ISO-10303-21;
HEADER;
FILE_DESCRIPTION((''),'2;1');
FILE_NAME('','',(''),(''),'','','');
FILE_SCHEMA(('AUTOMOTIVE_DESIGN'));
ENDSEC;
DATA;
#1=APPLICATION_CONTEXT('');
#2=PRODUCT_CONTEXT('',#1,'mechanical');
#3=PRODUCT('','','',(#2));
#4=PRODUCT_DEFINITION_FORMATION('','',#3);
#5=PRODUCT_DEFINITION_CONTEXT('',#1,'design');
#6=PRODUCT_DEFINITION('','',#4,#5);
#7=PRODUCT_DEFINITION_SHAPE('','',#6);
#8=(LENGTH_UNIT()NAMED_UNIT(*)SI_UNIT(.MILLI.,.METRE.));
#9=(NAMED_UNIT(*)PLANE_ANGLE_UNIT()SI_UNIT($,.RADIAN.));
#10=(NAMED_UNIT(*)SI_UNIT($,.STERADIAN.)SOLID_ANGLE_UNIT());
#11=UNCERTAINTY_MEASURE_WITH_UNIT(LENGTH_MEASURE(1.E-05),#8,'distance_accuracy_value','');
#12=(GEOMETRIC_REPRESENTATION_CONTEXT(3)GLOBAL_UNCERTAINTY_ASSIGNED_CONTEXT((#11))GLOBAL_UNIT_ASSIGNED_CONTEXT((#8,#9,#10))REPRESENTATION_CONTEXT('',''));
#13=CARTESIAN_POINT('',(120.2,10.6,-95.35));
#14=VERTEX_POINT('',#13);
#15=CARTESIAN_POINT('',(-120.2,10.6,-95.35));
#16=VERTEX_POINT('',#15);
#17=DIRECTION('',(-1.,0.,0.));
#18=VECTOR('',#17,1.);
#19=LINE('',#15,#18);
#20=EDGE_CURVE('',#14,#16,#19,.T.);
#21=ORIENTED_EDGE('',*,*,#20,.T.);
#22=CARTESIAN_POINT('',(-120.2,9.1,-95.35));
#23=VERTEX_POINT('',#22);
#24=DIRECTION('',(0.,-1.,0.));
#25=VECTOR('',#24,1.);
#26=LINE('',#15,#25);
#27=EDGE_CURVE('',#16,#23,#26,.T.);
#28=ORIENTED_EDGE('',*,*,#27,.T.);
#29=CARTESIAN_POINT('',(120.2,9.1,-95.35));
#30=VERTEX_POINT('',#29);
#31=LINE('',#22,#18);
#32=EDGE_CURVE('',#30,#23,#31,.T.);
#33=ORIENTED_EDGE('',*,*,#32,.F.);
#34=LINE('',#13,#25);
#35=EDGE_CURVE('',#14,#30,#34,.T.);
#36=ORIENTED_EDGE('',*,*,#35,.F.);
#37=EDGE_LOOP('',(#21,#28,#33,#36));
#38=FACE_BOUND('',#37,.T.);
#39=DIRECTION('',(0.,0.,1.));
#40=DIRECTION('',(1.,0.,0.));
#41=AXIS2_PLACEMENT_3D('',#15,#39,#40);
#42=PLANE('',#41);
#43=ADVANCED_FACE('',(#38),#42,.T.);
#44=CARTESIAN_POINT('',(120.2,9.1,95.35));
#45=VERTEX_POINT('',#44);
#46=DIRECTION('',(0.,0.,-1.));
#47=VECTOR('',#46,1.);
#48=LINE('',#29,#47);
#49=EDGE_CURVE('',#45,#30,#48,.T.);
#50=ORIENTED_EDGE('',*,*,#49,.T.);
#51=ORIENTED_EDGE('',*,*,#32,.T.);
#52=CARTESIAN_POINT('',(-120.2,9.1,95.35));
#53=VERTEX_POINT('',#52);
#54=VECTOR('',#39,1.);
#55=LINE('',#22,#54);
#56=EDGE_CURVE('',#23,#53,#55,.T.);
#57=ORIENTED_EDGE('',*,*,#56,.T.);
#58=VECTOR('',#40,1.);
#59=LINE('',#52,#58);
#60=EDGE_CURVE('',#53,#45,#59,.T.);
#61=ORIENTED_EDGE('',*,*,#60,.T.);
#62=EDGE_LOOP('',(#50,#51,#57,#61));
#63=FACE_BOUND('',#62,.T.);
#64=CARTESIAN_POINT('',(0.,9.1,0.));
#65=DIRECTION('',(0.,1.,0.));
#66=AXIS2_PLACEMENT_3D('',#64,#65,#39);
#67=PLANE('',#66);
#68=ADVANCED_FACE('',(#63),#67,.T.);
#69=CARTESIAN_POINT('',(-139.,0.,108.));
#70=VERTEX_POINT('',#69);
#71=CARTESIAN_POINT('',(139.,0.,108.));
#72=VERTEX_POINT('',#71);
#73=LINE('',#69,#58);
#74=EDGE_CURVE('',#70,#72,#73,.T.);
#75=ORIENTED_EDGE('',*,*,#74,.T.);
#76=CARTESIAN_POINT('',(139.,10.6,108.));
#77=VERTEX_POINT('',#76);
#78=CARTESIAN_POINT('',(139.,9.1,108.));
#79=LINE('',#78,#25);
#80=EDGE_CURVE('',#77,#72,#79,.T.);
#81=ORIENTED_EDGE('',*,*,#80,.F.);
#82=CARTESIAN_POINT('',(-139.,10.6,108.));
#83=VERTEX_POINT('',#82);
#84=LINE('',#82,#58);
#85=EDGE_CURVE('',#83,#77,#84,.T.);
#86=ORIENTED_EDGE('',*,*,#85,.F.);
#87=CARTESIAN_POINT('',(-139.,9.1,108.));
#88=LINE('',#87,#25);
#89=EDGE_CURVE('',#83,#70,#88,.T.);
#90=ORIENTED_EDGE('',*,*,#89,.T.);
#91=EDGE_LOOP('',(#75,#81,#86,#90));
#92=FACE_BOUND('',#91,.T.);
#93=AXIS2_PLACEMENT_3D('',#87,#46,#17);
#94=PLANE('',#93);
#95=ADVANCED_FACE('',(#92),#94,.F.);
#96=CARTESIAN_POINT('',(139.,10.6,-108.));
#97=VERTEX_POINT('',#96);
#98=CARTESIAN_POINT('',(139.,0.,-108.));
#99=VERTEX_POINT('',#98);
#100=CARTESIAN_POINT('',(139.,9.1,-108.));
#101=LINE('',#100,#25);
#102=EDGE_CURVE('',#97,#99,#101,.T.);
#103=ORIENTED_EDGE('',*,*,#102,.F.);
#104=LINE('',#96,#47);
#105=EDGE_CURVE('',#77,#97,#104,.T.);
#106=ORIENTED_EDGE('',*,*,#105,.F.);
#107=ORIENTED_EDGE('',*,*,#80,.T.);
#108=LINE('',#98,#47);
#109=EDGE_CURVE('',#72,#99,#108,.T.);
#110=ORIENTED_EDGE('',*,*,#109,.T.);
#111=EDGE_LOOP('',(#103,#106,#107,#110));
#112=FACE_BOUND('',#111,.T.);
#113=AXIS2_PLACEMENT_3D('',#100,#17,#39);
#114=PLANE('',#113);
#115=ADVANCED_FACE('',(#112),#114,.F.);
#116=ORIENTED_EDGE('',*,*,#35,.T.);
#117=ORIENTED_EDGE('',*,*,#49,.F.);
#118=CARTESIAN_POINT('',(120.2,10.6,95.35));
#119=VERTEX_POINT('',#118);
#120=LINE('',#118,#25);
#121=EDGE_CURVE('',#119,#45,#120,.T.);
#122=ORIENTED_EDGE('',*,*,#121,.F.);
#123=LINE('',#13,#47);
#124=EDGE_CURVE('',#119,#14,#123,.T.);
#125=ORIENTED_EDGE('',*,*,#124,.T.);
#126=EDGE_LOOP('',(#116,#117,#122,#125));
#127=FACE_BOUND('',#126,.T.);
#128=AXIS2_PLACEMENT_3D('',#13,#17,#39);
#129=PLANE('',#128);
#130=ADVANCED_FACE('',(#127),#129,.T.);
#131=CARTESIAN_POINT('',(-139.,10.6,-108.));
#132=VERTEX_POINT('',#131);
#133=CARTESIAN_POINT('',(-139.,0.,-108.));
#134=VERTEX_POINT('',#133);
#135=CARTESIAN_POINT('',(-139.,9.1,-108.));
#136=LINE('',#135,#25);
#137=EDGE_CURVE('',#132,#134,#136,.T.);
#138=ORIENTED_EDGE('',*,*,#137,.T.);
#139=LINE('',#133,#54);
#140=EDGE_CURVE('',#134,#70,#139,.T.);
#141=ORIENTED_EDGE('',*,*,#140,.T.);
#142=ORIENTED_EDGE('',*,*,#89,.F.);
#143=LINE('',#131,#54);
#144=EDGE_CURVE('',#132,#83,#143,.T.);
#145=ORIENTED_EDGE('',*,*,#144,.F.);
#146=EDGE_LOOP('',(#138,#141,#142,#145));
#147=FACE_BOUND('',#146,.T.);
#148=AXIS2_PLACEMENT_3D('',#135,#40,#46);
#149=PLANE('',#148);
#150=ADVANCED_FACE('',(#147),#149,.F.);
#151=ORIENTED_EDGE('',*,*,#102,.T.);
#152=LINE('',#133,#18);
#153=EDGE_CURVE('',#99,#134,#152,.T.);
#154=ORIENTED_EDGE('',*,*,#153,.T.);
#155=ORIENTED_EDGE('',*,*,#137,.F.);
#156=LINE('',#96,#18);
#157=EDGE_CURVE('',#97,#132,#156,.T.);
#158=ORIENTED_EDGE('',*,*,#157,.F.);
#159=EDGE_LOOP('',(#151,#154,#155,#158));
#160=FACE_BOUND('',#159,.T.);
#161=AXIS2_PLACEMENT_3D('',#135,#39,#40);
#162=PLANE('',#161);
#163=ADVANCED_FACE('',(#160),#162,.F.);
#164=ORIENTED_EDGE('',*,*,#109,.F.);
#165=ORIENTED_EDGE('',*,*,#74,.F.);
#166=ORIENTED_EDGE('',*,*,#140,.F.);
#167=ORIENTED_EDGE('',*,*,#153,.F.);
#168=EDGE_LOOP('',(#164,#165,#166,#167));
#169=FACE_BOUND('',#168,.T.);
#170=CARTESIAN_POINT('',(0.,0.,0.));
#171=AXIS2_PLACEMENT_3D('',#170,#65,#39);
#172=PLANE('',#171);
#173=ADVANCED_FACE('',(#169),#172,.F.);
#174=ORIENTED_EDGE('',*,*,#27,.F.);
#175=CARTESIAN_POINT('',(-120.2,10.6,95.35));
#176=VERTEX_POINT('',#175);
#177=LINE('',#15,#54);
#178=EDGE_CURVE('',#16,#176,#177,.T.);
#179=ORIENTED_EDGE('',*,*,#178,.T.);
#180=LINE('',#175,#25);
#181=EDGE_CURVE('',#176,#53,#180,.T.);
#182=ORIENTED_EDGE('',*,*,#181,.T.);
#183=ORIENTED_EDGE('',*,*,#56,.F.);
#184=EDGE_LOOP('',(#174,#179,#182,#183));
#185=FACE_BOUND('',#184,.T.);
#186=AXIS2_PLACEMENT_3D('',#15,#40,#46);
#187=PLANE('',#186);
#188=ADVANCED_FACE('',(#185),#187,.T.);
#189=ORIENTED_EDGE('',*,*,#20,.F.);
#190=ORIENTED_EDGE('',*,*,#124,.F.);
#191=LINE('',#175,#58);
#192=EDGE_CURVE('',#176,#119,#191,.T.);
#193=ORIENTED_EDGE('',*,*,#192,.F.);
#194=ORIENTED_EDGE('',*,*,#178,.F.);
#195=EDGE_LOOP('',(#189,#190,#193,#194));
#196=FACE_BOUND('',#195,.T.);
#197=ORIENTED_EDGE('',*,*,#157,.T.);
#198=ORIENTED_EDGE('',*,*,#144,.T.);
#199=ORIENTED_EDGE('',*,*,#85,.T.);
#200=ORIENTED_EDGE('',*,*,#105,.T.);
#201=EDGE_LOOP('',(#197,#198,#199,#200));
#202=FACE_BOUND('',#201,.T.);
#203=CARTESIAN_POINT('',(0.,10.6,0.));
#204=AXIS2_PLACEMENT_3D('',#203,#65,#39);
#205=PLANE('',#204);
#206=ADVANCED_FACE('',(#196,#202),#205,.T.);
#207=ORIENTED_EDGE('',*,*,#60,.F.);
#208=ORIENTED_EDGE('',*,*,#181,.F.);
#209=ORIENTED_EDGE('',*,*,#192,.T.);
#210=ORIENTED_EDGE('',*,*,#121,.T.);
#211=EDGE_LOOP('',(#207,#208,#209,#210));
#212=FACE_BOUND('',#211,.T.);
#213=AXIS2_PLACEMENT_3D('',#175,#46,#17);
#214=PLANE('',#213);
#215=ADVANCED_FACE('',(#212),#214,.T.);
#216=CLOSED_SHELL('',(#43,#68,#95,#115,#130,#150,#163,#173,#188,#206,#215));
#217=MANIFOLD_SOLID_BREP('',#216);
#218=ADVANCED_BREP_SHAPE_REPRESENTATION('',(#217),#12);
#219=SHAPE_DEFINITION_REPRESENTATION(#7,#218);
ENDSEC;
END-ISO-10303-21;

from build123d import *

# Parameters (mm, degrees)
ESBO_O1_W                = 278
ESBO_O1_H                = 216
RESSALTO_EXTRUS_O1_DEPTH = 9.1
ESBO_O2_W                = 240.4
ESBO_O2_H                = 190.7
RESSALTO_EXTRUS_O2_DEPTH = 1.5


with BuildPart() as part:
    # Esboço1 → Ressalto-extrusão1 (new body)
    with BuildSketch(Plane(origin=(0, 0, 0), x_dir=(1, 0, 0), z_dir=(0, 1, 0))):
        Rectangle(ESBO_O1_W, ESBO_O1_H)
    extrude(amount=RESSALTO_EXTRUS_O1_DEPTH)

    # Esboço2 → Ressalto-extrusão2 (add)
    with BuildSketch(Plane(origin=(0, 9.1, 0), x_dir=(1, 0, 0), z_dir=(0, 1, 0))):
        Polygon((-139, 108), (-120.2, 108), (120.2, 108), (139, 108), (139, -108), (120.2, -108), (-120.2, -108), (-139, -108), align=None)
        Rectangle(ESBO_O2_W, ESBO_O2_H, mode=Mode.SUBTRACT)
    extrude(amount=RESSALTO_EXTRUS_O2_DEPTH)


solid = part.part
